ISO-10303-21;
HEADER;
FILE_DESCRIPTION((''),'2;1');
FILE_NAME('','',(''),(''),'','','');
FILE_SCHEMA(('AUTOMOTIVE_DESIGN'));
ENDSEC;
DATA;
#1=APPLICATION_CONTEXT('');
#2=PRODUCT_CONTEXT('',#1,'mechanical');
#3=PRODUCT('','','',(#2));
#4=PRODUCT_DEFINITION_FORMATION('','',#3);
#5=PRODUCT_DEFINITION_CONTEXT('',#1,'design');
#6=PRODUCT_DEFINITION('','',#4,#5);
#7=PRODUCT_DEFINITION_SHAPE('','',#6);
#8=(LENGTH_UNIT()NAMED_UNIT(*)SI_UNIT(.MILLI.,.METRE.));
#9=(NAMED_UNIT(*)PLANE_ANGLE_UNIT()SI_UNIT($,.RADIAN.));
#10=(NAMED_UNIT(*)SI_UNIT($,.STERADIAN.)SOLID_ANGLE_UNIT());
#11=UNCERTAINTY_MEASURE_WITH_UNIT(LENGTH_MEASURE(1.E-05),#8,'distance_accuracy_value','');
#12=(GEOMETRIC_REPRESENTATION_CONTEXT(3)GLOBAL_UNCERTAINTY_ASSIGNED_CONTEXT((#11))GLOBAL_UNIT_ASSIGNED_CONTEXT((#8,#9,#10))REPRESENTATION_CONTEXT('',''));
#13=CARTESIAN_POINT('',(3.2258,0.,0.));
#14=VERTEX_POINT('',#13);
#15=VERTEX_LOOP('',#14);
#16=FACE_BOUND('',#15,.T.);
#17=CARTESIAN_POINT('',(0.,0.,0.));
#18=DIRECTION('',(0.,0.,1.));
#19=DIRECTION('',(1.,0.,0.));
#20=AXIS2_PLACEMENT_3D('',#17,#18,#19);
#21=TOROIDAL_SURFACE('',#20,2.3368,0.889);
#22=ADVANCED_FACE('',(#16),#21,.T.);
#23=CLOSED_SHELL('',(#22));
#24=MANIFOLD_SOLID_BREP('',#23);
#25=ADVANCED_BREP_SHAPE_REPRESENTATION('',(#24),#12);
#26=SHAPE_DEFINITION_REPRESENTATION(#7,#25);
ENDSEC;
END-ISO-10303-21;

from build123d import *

# Parameters (mm, degrees)
SKETCH1_R = 0.889


with BuildPart() as part:
    # Sketch1 → Revolve1 (revolve)
    with BuildSketch(Plane(origin=(0, 0, 0), x_dir=(0, -1, 0), z_dir=(1, 0, 0))):
        with Locations((2.3368, 0)):
            Circle(SKETCH1_R)
    revolve(axis=Axis((0, 0, 0.889), (0, 0, -1)))


solid = part.part
